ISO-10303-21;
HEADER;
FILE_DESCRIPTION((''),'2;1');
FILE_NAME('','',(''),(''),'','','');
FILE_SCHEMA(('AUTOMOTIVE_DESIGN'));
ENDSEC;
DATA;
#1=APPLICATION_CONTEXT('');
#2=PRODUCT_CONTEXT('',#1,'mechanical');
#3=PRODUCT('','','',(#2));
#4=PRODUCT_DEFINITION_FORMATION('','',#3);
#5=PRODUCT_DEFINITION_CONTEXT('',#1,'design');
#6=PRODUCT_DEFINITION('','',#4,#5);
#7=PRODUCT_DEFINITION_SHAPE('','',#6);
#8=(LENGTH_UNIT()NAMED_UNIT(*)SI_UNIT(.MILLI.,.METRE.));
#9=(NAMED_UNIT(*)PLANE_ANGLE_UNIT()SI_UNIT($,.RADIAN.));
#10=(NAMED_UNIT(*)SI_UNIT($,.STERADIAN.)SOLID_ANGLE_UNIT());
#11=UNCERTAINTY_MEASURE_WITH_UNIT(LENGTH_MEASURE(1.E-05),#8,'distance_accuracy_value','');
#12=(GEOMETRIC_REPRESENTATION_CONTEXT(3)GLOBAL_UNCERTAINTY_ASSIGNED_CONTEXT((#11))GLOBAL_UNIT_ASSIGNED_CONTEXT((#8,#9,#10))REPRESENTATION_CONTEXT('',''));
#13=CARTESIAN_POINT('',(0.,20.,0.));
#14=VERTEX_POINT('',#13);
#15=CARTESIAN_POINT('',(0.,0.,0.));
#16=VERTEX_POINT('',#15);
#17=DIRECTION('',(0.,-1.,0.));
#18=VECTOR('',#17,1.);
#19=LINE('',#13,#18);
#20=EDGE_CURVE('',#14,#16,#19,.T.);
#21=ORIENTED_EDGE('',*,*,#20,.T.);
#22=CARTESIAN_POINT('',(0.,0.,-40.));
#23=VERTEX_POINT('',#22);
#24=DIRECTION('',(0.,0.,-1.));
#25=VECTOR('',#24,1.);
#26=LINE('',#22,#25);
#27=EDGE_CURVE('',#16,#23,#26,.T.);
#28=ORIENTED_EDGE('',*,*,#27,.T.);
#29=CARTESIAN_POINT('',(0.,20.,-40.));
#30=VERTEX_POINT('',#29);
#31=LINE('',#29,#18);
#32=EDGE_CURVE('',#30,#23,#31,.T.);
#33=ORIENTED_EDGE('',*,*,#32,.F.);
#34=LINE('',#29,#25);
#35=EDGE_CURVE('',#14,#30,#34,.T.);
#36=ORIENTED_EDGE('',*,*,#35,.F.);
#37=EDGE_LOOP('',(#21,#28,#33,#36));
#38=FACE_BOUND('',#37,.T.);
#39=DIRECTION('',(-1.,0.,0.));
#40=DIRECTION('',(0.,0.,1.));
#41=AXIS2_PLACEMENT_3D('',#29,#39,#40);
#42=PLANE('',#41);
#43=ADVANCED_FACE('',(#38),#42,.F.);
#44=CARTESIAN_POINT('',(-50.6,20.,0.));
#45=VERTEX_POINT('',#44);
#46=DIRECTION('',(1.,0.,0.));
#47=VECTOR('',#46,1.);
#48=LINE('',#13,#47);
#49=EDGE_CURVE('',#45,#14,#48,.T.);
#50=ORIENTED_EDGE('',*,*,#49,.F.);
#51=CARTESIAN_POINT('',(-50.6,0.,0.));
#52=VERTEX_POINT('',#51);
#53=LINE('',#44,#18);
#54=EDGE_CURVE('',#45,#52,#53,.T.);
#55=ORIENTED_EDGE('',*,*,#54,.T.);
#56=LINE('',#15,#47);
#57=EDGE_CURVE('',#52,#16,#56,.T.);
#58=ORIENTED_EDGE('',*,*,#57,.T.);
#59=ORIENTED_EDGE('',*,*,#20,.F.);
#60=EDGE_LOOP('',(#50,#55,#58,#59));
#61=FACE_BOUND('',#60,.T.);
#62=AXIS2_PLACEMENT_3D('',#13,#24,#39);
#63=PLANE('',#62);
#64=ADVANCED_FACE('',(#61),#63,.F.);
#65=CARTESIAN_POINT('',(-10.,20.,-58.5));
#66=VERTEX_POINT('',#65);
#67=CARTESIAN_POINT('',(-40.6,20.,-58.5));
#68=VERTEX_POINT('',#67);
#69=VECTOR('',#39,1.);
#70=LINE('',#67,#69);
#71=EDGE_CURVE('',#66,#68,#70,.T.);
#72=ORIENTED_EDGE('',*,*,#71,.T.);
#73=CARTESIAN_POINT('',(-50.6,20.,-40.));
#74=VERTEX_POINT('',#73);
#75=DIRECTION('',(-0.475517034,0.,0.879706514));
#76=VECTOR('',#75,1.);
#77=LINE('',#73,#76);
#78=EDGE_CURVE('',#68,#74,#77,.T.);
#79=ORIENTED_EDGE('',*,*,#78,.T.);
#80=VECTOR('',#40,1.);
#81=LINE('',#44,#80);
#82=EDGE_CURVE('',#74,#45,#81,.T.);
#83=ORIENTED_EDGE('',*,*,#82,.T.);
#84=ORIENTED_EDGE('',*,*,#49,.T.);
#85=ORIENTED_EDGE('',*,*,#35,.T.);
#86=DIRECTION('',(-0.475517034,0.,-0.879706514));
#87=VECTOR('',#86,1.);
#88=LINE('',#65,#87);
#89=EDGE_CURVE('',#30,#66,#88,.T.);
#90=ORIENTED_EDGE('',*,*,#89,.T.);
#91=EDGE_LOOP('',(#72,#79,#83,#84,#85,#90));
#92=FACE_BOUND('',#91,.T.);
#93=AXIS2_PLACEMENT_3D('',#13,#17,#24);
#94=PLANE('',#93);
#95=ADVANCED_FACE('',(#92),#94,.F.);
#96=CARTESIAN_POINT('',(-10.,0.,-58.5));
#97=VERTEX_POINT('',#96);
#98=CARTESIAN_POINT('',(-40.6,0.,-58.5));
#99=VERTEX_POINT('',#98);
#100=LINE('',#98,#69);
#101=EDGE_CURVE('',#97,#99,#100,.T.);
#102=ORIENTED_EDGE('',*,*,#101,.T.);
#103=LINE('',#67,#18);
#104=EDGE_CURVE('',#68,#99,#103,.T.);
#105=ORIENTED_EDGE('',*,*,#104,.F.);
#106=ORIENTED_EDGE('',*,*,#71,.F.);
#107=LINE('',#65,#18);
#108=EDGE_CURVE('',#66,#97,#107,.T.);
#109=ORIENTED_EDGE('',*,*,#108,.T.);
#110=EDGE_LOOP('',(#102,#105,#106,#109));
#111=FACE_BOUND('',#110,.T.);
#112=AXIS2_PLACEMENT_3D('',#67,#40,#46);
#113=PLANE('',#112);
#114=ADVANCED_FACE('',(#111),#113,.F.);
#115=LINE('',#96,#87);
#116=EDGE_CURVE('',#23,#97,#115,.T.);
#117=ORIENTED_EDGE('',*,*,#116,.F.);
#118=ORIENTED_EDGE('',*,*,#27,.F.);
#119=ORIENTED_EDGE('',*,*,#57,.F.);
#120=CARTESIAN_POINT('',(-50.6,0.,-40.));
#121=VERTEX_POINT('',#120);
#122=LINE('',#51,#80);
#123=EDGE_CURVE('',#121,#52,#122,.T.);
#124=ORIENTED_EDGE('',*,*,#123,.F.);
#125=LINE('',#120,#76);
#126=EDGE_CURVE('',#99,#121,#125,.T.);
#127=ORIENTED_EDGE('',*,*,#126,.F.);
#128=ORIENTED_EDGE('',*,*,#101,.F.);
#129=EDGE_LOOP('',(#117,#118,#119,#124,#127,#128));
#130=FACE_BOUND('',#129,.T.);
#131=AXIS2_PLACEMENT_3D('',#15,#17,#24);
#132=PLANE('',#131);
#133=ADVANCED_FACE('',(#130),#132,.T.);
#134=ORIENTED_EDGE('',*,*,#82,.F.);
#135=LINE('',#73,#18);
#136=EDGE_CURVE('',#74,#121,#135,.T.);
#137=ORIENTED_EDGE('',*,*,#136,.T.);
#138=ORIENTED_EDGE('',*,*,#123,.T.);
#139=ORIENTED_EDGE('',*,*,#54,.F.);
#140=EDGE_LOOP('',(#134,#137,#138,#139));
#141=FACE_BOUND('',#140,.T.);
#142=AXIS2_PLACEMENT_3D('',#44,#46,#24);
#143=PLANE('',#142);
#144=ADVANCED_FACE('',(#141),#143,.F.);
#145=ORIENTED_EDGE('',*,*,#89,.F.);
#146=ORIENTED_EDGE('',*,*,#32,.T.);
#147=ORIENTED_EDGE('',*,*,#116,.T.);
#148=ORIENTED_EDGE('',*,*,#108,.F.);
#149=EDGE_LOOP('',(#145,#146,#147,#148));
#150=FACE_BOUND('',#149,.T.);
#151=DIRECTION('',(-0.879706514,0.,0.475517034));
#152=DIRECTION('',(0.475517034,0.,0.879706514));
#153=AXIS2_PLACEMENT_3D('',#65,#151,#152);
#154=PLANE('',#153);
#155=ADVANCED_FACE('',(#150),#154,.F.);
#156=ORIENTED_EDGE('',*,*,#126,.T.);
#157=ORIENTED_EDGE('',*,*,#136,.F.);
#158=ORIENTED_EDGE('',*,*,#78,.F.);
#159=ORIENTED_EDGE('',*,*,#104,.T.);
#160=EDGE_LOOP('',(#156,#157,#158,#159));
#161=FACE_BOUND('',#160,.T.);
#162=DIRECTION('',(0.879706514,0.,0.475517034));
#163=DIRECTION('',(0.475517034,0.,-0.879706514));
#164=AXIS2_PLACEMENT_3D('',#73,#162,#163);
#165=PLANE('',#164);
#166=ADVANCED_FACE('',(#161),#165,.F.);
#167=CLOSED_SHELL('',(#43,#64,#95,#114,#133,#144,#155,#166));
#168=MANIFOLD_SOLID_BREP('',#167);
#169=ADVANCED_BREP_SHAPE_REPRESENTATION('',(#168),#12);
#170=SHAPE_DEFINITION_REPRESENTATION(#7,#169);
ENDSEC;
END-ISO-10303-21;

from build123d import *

# Parameters (mm, degrees)
BOSS_EXTRUDE1_DEPTH = 20


with BuildPart() as part:
    # Sketch1 → Boss-Extrude1 (new body)
    with BuildSketch(Plane(origin=(0, 0, 0), x_dir=(1, 0, 0), z_dir=(0, 1, 0))):
        Polygon((-50.6, 40), (-40.6, 58.5), (-10, 58.5), (0, 40), (0, 0), (-50.6, 0), align=None)
    extrude(amount=BOSS_EXTRUDE1_DEPTH)


solid = part.part
